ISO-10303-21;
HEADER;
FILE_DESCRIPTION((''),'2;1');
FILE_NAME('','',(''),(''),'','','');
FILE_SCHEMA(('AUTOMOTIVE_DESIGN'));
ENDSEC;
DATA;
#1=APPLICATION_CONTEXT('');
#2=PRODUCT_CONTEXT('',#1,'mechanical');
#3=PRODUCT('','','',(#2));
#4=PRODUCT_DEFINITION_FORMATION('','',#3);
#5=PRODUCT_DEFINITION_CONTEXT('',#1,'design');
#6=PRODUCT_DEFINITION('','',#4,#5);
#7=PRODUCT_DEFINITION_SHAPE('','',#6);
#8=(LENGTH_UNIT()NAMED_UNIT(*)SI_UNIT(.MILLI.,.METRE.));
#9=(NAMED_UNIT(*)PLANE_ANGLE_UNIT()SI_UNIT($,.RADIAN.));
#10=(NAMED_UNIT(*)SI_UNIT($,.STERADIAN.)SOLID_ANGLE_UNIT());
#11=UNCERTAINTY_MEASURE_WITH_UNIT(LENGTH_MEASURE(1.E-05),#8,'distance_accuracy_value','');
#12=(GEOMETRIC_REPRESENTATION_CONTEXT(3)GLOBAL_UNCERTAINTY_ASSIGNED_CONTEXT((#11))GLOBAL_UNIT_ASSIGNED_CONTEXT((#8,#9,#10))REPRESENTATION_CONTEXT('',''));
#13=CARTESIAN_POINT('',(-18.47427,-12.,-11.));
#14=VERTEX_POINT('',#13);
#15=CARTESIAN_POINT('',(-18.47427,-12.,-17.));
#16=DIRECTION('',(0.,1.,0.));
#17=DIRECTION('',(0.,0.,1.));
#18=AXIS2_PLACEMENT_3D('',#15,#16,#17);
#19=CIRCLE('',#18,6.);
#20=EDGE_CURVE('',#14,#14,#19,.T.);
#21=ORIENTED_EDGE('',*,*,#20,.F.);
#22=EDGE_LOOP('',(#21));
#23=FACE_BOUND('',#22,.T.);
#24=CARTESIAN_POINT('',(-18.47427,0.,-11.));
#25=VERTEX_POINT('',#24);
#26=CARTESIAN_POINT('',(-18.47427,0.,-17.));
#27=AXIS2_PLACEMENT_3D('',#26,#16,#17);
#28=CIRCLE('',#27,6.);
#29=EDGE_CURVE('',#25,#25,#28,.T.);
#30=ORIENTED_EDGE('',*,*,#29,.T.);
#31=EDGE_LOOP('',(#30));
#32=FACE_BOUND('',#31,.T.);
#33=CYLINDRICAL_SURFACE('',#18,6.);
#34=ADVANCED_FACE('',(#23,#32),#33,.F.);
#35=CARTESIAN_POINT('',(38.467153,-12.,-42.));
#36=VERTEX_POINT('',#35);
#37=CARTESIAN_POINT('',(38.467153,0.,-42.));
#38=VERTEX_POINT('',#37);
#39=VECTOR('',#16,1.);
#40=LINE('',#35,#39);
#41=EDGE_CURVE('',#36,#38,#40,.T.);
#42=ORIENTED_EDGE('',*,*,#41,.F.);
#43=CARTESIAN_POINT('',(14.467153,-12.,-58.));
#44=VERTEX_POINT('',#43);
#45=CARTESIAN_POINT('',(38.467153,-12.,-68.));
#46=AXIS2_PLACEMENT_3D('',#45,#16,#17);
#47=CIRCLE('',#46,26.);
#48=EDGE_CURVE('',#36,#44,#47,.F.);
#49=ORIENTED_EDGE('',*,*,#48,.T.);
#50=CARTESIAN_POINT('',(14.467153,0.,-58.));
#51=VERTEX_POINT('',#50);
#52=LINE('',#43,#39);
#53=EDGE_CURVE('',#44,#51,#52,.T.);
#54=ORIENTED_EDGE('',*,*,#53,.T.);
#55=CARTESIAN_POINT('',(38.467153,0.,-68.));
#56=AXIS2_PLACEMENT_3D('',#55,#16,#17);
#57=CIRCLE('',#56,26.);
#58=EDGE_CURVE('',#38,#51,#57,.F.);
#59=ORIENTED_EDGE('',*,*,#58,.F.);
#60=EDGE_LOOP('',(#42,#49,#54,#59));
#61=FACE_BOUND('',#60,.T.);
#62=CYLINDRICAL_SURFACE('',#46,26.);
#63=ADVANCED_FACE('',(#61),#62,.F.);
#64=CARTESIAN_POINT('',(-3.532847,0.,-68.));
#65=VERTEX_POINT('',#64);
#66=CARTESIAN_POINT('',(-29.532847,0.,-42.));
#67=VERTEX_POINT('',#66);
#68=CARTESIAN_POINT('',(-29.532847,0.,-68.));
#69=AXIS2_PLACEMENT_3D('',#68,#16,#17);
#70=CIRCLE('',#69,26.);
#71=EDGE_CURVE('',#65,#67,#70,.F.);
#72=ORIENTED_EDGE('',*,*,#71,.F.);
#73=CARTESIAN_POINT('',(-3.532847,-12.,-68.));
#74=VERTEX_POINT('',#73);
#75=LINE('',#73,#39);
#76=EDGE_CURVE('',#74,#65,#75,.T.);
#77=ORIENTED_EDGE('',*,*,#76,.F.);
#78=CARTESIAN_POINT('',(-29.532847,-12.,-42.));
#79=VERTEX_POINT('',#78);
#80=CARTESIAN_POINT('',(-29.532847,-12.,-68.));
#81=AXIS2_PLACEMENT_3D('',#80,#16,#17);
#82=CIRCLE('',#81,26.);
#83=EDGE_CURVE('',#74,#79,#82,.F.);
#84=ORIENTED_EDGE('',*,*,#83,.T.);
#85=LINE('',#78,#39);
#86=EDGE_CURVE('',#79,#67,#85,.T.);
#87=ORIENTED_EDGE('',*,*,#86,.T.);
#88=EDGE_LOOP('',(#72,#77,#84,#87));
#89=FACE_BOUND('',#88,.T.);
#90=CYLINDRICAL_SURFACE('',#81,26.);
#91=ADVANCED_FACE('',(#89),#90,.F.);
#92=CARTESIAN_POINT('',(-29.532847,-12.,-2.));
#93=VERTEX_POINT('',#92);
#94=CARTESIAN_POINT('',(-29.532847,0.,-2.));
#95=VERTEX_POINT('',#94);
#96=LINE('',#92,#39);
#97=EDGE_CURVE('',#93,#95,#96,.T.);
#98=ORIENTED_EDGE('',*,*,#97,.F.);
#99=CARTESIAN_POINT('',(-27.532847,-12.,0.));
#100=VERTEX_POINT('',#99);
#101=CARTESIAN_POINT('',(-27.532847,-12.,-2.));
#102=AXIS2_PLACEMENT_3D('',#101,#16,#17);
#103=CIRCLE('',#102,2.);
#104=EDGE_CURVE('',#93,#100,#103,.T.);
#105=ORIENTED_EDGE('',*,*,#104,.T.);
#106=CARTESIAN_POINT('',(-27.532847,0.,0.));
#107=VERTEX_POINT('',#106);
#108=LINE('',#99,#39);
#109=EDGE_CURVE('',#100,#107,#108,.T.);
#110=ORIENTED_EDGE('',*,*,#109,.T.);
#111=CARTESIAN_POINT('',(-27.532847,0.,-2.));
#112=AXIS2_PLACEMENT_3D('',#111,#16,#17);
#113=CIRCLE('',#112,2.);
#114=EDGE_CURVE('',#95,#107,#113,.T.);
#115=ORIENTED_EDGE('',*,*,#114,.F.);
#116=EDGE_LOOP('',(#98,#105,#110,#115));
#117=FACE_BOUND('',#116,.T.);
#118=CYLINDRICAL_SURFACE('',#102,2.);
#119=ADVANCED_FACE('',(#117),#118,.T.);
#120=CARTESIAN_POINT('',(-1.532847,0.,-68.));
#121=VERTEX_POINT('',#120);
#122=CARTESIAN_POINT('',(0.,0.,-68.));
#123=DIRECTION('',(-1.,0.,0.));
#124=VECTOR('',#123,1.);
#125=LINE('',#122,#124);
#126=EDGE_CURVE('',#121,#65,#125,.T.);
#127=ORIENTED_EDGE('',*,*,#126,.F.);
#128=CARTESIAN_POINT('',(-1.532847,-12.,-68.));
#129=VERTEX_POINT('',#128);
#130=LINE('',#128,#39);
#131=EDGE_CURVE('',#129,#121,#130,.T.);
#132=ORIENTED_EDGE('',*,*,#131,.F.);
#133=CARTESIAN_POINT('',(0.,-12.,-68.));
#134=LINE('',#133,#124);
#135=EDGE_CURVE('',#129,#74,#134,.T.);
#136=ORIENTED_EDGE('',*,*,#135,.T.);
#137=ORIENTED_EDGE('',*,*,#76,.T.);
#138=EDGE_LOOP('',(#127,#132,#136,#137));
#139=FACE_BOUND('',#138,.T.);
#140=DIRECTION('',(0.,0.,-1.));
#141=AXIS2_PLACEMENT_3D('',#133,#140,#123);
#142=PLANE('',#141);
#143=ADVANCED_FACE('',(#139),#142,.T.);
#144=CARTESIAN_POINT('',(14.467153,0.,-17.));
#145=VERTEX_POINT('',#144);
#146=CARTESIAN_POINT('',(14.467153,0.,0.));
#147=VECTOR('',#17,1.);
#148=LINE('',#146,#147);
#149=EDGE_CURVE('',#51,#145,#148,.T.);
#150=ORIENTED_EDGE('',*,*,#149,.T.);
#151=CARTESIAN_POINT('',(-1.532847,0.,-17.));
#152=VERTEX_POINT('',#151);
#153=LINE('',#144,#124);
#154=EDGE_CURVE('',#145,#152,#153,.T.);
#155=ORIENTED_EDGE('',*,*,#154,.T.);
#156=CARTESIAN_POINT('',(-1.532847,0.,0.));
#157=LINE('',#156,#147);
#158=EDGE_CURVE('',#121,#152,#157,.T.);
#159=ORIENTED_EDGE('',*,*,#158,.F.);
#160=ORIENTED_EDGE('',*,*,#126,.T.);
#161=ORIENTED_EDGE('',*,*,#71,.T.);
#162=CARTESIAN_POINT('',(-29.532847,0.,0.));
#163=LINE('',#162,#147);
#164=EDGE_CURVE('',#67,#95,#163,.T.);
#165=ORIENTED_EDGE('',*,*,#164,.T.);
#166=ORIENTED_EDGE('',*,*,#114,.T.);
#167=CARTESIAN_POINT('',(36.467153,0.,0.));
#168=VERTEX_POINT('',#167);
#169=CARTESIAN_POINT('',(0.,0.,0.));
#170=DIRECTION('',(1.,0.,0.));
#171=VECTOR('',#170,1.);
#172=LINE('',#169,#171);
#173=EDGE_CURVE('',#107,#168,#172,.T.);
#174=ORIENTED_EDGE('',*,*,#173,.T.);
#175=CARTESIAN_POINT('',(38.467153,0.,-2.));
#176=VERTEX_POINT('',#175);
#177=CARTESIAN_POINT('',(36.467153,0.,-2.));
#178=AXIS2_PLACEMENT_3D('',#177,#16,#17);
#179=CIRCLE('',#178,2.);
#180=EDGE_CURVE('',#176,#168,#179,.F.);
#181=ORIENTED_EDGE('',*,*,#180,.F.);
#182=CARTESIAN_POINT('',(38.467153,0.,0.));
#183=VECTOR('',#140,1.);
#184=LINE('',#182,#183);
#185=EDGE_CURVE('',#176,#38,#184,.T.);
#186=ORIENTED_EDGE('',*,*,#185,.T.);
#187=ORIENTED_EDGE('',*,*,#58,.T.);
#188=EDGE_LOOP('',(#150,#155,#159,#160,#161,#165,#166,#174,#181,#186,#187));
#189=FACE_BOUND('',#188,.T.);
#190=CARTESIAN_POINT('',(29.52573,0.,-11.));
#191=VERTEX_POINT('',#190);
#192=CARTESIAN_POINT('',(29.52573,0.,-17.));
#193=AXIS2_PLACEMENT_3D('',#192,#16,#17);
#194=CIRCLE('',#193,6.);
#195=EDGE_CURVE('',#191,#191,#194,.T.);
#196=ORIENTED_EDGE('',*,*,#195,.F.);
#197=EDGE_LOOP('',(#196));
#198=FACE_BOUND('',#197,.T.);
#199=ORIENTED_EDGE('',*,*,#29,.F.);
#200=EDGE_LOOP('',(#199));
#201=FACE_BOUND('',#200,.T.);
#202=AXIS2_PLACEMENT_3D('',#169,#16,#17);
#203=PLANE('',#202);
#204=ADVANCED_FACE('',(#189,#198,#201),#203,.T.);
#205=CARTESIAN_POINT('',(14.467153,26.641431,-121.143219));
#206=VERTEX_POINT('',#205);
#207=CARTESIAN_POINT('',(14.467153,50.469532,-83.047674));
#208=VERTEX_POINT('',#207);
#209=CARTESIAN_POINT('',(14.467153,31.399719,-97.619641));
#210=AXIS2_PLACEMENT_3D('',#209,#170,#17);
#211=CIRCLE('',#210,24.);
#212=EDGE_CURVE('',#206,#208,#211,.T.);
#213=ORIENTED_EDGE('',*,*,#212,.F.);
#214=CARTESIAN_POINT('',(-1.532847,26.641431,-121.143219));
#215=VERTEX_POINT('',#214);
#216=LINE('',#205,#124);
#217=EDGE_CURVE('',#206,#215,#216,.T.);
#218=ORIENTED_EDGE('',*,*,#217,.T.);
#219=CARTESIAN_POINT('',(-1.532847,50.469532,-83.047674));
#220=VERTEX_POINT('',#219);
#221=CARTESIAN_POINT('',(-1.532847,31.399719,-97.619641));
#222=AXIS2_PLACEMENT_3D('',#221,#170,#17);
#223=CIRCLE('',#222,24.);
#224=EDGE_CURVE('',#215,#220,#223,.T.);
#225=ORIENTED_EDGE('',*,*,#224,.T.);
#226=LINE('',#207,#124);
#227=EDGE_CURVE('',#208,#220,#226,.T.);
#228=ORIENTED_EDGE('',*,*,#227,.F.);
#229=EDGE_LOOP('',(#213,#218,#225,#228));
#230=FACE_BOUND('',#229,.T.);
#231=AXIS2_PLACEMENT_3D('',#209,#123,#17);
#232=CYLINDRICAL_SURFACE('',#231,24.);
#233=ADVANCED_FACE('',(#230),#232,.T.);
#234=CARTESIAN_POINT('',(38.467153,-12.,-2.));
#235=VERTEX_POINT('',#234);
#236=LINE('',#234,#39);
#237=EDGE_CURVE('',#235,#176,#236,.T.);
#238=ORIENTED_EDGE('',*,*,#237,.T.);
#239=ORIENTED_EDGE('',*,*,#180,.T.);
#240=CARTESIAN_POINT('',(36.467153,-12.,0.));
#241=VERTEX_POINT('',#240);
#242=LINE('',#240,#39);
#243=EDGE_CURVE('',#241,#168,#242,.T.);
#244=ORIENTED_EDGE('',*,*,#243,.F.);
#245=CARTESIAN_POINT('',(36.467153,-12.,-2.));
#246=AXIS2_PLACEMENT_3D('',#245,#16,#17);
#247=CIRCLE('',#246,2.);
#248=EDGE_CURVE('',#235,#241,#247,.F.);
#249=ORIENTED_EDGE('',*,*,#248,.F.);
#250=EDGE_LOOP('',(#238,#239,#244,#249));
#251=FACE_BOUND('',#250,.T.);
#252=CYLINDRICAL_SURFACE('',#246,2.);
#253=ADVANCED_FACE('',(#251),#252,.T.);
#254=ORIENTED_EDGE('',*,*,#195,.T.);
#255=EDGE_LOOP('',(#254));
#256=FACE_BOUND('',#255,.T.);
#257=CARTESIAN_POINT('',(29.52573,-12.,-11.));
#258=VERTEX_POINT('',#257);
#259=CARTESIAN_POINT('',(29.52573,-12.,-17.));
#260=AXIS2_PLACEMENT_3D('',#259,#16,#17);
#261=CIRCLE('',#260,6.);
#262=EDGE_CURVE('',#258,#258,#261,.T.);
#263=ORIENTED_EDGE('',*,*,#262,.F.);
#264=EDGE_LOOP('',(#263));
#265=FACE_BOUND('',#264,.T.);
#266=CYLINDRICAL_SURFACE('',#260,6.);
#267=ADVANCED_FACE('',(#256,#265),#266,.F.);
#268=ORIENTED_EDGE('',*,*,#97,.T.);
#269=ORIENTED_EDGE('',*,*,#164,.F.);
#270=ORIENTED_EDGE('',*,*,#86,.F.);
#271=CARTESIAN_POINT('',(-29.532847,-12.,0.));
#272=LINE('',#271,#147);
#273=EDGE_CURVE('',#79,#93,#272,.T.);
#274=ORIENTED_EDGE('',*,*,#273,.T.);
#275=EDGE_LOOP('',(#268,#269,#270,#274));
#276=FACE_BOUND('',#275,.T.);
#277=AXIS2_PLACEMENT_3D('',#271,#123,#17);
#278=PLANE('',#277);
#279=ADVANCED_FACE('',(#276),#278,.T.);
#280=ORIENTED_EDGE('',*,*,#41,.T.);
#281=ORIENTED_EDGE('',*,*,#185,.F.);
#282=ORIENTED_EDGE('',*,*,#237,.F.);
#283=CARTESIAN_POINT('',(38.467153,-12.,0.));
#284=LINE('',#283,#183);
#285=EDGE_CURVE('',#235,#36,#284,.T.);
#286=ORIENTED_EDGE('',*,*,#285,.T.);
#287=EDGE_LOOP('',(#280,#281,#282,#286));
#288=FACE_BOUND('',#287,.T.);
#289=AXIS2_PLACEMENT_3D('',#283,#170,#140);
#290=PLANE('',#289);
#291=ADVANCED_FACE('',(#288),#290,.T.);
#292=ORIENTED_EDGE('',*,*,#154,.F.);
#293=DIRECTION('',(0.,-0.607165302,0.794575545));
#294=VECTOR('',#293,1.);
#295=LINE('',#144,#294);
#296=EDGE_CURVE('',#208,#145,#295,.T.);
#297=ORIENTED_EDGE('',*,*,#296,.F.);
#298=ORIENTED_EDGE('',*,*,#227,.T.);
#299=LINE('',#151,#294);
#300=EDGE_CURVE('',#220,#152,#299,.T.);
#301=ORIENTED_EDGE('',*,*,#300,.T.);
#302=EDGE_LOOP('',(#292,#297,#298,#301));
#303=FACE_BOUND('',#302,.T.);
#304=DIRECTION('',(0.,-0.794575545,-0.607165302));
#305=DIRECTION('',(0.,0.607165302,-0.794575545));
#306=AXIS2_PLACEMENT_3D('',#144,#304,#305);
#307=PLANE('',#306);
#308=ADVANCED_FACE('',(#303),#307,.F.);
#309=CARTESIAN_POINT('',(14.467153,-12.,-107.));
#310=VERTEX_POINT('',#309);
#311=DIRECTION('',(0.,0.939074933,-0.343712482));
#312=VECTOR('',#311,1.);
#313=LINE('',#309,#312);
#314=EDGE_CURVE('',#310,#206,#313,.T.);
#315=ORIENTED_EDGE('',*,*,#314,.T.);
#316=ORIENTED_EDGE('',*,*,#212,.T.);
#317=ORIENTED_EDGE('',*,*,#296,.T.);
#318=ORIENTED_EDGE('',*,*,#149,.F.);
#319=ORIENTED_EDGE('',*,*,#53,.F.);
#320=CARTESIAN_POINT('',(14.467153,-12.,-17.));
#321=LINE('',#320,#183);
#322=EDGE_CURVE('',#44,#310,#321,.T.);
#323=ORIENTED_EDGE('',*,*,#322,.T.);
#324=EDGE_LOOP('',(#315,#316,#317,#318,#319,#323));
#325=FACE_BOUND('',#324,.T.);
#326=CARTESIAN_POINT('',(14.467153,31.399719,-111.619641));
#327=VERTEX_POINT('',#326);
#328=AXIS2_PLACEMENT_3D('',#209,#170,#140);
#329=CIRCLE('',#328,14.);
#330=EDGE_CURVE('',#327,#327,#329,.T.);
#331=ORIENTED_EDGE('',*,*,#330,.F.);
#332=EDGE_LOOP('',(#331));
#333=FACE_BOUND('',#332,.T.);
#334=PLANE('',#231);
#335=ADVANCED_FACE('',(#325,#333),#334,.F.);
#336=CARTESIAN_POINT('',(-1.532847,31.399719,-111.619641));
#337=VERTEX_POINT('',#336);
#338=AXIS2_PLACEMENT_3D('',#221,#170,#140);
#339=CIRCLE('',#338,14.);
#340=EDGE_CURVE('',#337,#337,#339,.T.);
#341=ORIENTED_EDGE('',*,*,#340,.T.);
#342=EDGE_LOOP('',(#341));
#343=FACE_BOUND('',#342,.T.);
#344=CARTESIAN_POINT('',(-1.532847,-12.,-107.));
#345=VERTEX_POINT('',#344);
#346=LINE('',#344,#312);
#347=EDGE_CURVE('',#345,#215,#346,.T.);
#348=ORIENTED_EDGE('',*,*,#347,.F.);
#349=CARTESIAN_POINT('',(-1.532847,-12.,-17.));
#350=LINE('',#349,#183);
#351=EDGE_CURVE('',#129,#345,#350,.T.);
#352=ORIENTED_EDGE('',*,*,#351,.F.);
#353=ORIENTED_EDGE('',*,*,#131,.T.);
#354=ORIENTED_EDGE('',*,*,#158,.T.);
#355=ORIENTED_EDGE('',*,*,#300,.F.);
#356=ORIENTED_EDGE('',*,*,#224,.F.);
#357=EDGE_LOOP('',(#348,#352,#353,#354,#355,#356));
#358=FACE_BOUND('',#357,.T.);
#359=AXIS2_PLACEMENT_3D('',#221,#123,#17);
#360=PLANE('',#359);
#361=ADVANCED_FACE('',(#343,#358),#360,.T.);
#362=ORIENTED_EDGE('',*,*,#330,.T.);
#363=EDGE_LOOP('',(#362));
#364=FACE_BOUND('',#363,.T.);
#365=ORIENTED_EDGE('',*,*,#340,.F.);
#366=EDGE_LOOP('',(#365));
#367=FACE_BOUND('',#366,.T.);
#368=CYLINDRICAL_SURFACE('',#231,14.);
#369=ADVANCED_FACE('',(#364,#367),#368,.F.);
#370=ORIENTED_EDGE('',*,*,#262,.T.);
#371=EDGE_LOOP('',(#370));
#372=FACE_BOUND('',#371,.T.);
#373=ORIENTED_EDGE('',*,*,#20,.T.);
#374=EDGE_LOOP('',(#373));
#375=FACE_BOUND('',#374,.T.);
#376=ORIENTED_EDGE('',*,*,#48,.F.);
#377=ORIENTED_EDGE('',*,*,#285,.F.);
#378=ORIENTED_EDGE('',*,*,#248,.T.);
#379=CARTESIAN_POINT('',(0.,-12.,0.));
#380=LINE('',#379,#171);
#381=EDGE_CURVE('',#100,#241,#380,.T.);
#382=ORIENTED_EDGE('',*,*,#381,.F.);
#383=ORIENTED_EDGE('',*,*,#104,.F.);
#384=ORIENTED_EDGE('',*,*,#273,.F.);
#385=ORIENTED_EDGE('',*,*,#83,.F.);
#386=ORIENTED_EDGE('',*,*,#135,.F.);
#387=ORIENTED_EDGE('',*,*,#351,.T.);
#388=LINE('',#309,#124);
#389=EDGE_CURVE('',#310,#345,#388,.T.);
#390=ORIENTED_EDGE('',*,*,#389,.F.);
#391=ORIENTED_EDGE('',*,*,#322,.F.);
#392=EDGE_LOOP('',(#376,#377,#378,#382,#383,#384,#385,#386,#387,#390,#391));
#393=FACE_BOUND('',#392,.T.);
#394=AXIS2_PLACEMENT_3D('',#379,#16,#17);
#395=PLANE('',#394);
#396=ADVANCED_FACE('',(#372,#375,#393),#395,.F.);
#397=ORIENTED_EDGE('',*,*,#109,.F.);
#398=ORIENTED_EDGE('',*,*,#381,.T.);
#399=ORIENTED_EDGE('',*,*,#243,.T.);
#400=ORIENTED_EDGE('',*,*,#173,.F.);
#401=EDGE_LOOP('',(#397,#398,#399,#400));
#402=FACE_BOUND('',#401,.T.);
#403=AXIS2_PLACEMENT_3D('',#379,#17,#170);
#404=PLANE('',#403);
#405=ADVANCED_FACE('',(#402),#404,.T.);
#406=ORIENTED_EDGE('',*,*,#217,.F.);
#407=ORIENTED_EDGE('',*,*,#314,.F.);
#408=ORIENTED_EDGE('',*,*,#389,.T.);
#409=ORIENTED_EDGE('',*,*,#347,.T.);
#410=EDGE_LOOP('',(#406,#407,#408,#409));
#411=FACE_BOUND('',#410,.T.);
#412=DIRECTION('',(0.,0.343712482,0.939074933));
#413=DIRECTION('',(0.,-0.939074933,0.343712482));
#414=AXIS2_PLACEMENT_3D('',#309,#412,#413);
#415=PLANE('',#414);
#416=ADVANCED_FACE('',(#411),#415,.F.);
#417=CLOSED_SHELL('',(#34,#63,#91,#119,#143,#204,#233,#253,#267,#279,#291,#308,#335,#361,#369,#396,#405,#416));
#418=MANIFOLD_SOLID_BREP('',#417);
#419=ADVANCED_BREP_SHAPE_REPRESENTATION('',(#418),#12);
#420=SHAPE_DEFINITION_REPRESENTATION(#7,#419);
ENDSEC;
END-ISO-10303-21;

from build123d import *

# Parameters (mm, degrees)
SKETCH3_R           = 6
BOSS_EXTRUDE3_DEPTH = 12
SKETCH4_R           = 14
BOSS_EXTRUDE4_DEPTH = 8


with BuildPart() as part:
    # Sketch3 → Boss-Extrude3 (new body)
    with BuildSketch(Plane(origin=(0, 0, 0), x_dir=(1, 0, 0), z_dir=(0, 1, 0))):
        with BuildLine():
            ThreePointArc((-29.532846715, 2), (-28.947060278, 0.585786438), (-27.532846715, 0))
            Line((-27.532846715, 0), (36.467153285, 0))
            ThreePointArc((36.467153285, 0), (37.881366847, 0.585786438), (38.467153285, 2))
            Line((38.467153285, 2), (38.467153285, 42))
            ThreePointArc((38.467153285, 42), (20.082376974, 49.615223689), (12.467153285, 68))
            Line((12.467153285, 68), (-3.532846715, 68))
            ThreePointArc((-3.532846715, 68), (-11.148070404, 49.615223689), (-29.532846715, 42))
            Line((-29.532846715, 42), (-29.532846715, 2))
        make_face()
        with Locations(Location((-18.474270286, 17, 0), (0, 0, 270))):
            Circle(SKETCH3_R, mode=Mode.SUBTRACT)
        with Locations(Location((29.525729714, 17, 0), (0, 0, 270))):
            Circle(SKETCH3_R, mode=Mode.SUBTRACT)
    extrude(amount=-BOSS_EXTRUDE3_DEPTH)

    # Sketch4 → Boss-Extrude4 (add, symmetric)
    with BuildSketch(Plane(origin=(6.467153285, 0, 0), x_dir=(0, 0, -1), z_dir=(1, 0, 0))):
        with BuildLine():
            Line((17, 0), (83.047673955, 50.469532025))
            ThreePointArc((83.047673955, 50.469532025), (110.346676743, 51.747263432), (121.143218593, 26.641430746))
            Line((121.143218593, 26.641430746), (107, -12))
            Line((107, -12), (17, -12))
            Line((17, -12), (17, 0))
        make_face()
        with Locations((97.619641201, 31.399718953)):
            Circle(SKETCH4_R, mode=Mode.SUBTRACT)
    extrude(amount=BOSS_EXTRUDE4_DEPTH, both=True)


solid = part.part
